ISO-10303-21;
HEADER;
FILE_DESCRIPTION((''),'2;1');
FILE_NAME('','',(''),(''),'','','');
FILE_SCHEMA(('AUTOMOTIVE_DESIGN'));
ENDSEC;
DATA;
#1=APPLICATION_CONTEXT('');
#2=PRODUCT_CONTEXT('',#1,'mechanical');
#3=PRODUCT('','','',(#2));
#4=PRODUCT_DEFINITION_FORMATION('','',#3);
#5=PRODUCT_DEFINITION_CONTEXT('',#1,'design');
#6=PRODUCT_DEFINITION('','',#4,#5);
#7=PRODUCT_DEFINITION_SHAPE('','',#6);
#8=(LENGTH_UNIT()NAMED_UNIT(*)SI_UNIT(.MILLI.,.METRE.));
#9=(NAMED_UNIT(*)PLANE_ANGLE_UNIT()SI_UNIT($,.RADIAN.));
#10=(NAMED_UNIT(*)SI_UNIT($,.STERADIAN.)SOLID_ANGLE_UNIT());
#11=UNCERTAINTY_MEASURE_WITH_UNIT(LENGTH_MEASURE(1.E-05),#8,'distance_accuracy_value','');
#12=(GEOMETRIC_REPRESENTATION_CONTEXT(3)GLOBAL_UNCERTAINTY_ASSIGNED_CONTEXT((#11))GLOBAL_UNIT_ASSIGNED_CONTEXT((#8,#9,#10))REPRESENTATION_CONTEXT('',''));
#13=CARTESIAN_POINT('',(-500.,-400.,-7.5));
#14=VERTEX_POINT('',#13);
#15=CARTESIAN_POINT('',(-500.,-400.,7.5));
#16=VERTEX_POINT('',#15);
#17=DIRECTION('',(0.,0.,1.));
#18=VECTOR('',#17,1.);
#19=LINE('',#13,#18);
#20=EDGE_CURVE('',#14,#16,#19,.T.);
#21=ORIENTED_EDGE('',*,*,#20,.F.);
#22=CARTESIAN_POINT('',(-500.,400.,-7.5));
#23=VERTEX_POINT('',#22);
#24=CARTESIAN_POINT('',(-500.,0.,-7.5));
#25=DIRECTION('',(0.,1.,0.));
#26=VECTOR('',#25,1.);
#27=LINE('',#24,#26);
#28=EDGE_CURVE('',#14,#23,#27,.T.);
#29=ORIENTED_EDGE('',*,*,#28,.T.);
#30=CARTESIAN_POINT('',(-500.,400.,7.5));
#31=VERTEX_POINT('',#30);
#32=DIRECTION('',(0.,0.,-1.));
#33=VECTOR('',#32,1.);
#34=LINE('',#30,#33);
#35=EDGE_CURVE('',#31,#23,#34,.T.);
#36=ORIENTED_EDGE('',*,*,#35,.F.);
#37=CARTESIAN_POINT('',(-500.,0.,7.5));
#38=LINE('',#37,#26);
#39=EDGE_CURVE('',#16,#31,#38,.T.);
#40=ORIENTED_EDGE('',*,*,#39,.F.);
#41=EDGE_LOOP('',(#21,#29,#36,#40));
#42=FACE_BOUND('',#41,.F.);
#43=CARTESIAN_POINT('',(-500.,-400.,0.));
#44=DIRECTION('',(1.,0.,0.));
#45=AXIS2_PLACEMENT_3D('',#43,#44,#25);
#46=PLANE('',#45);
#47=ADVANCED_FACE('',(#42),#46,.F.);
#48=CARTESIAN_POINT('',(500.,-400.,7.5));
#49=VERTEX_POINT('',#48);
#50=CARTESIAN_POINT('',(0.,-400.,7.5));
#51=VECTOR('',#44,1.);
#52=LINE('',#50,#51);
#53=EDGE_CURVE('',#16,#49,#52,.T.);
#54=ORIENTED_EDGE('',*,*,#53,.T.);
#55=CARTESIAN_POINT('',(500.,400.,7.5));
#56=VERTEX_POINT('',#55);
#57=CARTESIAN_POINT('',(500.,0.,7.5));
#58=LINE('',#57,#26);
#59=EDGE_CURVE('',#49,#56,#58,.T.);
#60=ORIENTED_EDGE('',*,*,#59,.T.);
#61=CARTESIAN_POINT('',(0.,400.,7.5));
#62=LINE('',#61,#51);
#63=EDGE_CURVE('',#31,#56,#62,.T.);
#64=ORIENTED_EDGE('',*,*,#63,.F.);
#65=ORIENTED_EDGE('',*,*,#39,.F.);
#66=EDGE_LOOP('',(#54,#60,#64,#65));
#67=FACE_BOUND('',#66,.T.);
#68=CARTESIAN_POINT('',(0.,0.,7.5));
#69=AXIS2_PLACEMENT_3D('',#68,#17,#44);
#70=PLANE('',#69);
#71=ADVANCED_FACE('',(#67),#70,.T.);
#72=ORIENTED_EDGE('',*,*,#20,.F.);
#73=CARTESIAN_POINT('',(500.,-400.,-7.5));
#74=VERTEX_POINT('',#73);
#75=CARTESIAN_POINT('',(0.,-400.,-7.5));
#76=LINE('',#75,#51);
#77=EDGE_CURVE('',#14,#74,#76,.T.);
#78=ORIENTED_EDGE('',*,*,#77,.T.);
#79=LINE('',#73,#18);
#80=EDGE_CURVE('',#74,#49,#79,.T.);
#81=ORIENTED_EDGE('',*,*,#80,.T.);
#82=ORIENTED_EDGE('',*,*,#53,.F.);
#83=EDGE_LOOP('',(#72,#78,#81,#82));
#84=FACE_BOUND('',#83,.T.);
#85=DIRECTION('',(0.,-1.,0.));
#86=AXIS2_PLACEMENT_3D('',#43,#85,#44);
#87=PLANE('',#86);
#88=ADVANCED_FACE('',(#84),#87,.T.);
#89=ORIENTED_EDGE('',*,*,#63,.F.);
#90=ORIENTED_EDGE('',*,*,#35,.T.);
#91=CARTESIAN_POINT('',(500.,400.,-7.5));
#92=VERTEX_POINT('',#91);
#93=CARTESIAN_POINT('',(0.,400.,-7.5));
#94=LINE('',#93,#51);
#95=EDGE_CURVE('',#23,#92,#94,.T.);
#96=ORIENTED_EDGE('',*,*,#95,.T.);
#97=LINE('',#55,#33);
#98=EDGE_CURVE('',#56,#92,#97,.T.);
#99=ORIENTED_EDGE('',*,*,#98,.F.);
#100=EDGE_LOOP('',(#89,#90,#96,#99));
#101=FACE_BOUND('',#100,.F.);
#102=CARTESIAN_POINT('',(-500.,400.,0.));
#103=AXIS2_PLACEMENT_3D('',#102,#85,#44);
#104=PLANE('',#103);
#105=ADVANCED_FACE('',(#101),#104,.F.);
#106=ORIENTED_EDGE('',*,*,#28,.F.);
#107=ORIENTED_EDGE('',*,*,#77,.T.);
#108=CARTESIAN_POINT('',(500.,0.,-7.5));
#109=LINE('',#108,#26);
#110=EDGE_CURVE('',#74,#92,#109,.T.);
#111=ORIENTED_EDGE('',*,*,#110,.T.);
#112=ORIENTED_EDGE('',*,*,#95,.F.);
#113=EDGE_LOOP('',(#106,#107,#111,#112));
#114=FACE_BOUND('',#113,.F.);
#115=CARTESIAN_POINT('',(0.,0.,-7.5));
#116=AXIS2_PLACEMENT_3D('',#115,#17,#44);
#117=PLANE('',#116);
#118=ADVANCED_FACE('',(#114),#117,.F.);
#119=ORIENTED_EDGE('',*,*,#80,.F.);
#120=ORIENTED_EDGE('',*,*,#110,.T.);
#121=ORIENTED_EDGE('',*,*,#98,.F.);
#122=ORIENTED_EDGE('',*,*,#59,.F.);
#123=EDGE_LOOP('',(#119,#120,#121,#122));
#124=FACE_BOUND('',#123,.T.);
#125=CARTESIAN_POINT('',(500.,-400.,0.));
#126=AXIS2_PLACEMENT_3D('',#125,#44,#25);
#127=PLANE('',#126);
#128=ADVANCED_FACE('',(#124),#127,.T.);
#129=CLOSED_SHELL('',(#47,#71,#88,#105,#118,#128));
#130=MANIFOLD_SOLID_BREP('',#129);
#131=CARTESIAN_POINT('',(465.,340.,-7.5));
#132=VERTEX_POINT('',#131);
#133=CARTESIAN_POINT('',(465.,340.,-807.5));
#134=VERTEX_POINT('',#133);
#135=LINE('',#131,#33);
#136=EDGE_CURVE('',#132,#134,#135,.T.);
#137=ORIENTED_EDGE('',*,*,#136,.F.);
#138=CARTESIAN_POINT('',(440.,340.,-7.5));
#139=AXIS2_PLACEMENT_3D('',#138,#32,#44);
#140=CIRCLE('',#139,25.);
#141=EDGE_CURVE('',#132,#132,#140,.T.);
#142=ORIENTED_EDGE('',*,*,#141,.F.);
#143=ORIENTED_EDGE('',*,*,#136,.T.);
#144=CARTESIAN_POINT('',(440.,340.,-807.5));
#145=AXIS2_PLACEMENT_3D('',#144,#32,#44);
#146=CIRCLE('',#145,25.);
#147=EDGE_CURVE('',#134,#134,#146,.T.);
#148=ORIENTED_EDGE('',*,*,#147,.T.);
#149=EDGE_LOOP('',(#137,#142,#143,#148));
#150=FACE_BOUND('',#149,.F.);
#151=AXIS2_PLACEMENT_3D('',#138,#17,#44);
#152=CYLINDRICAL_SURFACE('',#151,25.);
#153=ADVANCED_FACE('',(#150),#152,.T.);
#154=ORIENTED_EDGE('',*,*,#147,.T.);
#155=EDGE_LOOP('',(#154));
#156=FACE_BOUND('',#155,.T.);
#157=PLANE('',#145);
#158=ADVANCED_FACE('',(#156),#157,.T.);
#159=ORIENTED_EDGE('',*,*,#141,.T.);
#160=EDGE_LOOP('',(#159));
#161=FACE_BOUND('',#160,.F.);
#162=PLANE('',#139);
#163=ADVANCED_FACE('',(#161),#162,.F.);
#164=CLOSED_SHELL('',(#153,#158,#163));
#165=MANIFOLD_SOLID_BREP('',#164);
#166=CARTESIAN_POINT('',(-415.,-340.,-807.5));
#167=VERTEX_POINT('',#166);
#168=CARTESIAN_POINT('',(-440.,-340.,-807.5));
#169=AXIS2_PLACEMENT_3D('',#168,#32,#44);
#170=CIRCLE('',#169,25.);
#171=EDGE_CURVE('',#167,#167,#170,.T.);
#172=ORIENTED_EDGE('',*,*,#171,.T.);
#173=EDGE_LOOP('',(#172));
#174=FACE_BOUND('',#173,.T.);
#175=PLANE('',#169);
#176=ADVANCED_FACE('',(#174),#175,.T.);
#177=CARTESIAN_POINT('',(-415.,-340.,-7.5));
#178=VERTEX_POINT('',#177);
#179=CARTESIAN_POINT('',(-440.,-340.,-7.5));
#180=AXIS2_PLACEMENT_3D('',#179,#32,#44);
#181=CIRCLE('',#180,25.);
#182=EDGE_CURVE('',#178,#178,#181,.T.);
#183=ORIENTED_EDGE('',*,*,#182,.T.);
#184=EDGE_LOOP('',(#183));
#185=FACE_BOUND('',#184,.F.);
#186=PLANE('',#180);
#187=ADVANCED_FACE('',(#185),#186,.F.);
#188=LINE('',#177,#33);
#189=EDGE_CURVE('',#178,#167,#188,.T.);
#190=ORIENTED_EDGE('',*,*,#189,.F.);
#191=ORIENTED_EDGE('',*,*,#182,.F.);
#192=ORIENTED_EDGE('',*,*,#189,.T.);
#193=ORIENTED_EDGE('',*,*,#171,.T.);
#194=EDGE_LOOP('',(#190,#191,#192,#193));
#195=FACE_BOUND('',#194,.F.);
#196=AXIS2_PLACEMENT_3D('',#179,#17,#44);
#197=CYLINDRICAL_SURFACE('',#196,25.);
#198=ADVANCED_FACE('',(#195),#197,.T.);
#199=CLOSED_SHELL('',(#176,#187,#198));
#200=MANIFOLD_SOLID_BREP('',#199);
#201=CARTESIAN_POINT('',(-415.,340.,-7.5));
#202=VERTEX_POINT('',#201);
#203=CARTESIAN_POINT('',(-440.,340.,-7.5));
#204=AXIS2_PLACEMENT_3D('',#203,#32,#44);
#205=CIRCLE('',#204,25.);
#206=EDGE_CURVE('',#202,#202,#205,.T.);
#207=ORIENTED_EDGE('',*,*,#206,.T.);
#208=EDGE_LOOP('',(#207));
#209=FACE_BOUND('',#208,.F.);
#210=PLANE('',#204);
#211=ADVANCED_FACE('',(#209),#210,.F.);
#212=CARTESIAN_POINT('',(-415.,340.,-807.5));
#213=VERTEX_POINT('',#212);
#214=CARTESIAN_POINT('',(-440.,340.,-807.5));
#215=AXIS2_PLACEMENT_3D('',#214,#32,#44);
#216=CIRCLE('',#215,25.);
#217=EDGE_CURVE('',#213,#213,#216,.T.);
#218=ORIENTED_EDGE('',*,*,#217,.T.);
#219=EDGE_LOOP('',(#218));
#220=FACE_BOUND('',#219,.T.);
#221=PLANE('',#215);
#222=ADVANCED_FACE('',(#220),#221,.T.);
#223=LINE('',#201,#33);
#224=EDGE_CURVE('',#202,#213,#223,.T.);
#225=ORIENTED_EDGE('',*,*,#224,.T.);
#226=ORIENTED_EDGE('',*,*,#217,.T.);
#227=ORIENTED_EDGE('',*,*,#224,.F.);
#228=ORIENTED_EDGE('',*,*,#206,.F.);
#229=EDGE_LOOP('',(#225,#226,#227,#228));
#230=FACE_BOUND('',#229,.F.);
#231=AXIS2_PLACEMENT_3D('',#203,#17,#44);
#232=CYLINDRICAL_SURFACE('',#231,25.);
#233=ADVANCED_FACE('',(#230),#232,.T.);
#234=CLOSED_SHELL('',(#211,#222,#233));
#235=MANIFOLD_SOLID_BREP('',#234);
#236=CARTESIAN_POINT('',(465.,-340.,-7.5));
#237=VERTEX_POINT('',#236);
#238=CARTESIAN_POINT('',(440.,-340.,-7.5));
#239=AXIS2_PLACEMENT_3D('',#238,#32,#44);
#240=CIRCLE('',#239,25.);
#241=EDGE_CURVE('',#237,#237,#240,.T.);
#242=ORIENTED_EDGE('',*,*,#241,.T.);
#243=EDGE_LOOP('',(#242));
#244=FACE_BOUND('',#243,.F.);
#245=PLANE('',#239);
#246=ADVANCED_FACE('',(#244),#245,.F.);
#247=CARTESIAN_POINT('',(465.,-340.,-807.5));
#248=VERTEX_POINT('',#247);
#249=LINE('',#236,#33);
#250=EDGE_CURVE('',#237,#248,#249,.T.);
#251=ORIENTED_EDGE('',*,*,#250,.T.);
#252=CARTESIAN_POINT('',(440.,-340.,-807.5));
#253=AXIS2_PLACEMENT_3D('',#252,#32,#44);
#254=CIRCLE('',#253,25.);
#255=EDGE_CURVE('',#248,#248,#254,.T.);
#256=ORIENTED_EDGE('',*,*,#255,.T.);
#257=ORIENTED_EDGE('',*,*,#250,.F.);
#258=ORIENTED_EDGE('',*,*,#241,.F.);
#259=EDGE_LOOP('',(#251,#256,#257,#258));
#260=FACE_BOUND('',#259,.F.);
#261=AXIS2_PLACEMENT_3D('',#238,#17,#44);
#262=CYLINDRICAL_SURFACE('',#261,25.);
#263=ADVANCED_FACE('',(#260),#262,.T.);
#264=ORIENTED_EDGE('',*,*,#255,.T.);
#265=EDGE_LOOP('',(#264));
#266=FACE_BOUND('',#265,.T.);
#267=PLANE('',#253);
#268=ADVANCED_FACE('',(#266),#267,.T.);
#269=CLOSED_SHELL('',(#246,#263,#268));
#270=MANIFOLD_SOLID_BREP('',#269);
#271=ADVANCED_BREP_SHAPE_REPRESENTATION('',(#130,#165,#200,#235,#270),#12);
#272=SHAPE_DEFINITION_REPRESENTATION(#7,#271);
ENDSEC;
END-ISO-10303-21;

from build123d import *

# Parameters (mm, degrees)
F0_W     = 1000
F0_H     = 800
F1_DEPTH = 7.5
F2_R     = 25
F3_DEPTH = 800


with BuildPart() as f1:
    # F0 (on Top) → F1 (new body, symmetric)
    with BuildSketch(Plane.XY):
        Rectangle(F0_W, F0_H)
    extrude(amount=F1_DEPTH, both=True)


with BuildPart() as f3:
    # F2 (on face) → F3 (new body)
    with BuildSketch(Plane(origin=(0, 0, -7.5), x_dir=(1, 0, 0), z_dir=(0, 0, -1))):
        with Locations((-440, 340)):
            Circle(F2_R)
        with Locations((-440, -340)):
            Circle(F2_R)
        with Locations((440, -340)):
            Circle(F2_R)
        with Locations((440, 340)):
            Circle(F2_R)
    extrude(amount=F3_DEPTH)


solid = Compound([f1.part, f3.part])
